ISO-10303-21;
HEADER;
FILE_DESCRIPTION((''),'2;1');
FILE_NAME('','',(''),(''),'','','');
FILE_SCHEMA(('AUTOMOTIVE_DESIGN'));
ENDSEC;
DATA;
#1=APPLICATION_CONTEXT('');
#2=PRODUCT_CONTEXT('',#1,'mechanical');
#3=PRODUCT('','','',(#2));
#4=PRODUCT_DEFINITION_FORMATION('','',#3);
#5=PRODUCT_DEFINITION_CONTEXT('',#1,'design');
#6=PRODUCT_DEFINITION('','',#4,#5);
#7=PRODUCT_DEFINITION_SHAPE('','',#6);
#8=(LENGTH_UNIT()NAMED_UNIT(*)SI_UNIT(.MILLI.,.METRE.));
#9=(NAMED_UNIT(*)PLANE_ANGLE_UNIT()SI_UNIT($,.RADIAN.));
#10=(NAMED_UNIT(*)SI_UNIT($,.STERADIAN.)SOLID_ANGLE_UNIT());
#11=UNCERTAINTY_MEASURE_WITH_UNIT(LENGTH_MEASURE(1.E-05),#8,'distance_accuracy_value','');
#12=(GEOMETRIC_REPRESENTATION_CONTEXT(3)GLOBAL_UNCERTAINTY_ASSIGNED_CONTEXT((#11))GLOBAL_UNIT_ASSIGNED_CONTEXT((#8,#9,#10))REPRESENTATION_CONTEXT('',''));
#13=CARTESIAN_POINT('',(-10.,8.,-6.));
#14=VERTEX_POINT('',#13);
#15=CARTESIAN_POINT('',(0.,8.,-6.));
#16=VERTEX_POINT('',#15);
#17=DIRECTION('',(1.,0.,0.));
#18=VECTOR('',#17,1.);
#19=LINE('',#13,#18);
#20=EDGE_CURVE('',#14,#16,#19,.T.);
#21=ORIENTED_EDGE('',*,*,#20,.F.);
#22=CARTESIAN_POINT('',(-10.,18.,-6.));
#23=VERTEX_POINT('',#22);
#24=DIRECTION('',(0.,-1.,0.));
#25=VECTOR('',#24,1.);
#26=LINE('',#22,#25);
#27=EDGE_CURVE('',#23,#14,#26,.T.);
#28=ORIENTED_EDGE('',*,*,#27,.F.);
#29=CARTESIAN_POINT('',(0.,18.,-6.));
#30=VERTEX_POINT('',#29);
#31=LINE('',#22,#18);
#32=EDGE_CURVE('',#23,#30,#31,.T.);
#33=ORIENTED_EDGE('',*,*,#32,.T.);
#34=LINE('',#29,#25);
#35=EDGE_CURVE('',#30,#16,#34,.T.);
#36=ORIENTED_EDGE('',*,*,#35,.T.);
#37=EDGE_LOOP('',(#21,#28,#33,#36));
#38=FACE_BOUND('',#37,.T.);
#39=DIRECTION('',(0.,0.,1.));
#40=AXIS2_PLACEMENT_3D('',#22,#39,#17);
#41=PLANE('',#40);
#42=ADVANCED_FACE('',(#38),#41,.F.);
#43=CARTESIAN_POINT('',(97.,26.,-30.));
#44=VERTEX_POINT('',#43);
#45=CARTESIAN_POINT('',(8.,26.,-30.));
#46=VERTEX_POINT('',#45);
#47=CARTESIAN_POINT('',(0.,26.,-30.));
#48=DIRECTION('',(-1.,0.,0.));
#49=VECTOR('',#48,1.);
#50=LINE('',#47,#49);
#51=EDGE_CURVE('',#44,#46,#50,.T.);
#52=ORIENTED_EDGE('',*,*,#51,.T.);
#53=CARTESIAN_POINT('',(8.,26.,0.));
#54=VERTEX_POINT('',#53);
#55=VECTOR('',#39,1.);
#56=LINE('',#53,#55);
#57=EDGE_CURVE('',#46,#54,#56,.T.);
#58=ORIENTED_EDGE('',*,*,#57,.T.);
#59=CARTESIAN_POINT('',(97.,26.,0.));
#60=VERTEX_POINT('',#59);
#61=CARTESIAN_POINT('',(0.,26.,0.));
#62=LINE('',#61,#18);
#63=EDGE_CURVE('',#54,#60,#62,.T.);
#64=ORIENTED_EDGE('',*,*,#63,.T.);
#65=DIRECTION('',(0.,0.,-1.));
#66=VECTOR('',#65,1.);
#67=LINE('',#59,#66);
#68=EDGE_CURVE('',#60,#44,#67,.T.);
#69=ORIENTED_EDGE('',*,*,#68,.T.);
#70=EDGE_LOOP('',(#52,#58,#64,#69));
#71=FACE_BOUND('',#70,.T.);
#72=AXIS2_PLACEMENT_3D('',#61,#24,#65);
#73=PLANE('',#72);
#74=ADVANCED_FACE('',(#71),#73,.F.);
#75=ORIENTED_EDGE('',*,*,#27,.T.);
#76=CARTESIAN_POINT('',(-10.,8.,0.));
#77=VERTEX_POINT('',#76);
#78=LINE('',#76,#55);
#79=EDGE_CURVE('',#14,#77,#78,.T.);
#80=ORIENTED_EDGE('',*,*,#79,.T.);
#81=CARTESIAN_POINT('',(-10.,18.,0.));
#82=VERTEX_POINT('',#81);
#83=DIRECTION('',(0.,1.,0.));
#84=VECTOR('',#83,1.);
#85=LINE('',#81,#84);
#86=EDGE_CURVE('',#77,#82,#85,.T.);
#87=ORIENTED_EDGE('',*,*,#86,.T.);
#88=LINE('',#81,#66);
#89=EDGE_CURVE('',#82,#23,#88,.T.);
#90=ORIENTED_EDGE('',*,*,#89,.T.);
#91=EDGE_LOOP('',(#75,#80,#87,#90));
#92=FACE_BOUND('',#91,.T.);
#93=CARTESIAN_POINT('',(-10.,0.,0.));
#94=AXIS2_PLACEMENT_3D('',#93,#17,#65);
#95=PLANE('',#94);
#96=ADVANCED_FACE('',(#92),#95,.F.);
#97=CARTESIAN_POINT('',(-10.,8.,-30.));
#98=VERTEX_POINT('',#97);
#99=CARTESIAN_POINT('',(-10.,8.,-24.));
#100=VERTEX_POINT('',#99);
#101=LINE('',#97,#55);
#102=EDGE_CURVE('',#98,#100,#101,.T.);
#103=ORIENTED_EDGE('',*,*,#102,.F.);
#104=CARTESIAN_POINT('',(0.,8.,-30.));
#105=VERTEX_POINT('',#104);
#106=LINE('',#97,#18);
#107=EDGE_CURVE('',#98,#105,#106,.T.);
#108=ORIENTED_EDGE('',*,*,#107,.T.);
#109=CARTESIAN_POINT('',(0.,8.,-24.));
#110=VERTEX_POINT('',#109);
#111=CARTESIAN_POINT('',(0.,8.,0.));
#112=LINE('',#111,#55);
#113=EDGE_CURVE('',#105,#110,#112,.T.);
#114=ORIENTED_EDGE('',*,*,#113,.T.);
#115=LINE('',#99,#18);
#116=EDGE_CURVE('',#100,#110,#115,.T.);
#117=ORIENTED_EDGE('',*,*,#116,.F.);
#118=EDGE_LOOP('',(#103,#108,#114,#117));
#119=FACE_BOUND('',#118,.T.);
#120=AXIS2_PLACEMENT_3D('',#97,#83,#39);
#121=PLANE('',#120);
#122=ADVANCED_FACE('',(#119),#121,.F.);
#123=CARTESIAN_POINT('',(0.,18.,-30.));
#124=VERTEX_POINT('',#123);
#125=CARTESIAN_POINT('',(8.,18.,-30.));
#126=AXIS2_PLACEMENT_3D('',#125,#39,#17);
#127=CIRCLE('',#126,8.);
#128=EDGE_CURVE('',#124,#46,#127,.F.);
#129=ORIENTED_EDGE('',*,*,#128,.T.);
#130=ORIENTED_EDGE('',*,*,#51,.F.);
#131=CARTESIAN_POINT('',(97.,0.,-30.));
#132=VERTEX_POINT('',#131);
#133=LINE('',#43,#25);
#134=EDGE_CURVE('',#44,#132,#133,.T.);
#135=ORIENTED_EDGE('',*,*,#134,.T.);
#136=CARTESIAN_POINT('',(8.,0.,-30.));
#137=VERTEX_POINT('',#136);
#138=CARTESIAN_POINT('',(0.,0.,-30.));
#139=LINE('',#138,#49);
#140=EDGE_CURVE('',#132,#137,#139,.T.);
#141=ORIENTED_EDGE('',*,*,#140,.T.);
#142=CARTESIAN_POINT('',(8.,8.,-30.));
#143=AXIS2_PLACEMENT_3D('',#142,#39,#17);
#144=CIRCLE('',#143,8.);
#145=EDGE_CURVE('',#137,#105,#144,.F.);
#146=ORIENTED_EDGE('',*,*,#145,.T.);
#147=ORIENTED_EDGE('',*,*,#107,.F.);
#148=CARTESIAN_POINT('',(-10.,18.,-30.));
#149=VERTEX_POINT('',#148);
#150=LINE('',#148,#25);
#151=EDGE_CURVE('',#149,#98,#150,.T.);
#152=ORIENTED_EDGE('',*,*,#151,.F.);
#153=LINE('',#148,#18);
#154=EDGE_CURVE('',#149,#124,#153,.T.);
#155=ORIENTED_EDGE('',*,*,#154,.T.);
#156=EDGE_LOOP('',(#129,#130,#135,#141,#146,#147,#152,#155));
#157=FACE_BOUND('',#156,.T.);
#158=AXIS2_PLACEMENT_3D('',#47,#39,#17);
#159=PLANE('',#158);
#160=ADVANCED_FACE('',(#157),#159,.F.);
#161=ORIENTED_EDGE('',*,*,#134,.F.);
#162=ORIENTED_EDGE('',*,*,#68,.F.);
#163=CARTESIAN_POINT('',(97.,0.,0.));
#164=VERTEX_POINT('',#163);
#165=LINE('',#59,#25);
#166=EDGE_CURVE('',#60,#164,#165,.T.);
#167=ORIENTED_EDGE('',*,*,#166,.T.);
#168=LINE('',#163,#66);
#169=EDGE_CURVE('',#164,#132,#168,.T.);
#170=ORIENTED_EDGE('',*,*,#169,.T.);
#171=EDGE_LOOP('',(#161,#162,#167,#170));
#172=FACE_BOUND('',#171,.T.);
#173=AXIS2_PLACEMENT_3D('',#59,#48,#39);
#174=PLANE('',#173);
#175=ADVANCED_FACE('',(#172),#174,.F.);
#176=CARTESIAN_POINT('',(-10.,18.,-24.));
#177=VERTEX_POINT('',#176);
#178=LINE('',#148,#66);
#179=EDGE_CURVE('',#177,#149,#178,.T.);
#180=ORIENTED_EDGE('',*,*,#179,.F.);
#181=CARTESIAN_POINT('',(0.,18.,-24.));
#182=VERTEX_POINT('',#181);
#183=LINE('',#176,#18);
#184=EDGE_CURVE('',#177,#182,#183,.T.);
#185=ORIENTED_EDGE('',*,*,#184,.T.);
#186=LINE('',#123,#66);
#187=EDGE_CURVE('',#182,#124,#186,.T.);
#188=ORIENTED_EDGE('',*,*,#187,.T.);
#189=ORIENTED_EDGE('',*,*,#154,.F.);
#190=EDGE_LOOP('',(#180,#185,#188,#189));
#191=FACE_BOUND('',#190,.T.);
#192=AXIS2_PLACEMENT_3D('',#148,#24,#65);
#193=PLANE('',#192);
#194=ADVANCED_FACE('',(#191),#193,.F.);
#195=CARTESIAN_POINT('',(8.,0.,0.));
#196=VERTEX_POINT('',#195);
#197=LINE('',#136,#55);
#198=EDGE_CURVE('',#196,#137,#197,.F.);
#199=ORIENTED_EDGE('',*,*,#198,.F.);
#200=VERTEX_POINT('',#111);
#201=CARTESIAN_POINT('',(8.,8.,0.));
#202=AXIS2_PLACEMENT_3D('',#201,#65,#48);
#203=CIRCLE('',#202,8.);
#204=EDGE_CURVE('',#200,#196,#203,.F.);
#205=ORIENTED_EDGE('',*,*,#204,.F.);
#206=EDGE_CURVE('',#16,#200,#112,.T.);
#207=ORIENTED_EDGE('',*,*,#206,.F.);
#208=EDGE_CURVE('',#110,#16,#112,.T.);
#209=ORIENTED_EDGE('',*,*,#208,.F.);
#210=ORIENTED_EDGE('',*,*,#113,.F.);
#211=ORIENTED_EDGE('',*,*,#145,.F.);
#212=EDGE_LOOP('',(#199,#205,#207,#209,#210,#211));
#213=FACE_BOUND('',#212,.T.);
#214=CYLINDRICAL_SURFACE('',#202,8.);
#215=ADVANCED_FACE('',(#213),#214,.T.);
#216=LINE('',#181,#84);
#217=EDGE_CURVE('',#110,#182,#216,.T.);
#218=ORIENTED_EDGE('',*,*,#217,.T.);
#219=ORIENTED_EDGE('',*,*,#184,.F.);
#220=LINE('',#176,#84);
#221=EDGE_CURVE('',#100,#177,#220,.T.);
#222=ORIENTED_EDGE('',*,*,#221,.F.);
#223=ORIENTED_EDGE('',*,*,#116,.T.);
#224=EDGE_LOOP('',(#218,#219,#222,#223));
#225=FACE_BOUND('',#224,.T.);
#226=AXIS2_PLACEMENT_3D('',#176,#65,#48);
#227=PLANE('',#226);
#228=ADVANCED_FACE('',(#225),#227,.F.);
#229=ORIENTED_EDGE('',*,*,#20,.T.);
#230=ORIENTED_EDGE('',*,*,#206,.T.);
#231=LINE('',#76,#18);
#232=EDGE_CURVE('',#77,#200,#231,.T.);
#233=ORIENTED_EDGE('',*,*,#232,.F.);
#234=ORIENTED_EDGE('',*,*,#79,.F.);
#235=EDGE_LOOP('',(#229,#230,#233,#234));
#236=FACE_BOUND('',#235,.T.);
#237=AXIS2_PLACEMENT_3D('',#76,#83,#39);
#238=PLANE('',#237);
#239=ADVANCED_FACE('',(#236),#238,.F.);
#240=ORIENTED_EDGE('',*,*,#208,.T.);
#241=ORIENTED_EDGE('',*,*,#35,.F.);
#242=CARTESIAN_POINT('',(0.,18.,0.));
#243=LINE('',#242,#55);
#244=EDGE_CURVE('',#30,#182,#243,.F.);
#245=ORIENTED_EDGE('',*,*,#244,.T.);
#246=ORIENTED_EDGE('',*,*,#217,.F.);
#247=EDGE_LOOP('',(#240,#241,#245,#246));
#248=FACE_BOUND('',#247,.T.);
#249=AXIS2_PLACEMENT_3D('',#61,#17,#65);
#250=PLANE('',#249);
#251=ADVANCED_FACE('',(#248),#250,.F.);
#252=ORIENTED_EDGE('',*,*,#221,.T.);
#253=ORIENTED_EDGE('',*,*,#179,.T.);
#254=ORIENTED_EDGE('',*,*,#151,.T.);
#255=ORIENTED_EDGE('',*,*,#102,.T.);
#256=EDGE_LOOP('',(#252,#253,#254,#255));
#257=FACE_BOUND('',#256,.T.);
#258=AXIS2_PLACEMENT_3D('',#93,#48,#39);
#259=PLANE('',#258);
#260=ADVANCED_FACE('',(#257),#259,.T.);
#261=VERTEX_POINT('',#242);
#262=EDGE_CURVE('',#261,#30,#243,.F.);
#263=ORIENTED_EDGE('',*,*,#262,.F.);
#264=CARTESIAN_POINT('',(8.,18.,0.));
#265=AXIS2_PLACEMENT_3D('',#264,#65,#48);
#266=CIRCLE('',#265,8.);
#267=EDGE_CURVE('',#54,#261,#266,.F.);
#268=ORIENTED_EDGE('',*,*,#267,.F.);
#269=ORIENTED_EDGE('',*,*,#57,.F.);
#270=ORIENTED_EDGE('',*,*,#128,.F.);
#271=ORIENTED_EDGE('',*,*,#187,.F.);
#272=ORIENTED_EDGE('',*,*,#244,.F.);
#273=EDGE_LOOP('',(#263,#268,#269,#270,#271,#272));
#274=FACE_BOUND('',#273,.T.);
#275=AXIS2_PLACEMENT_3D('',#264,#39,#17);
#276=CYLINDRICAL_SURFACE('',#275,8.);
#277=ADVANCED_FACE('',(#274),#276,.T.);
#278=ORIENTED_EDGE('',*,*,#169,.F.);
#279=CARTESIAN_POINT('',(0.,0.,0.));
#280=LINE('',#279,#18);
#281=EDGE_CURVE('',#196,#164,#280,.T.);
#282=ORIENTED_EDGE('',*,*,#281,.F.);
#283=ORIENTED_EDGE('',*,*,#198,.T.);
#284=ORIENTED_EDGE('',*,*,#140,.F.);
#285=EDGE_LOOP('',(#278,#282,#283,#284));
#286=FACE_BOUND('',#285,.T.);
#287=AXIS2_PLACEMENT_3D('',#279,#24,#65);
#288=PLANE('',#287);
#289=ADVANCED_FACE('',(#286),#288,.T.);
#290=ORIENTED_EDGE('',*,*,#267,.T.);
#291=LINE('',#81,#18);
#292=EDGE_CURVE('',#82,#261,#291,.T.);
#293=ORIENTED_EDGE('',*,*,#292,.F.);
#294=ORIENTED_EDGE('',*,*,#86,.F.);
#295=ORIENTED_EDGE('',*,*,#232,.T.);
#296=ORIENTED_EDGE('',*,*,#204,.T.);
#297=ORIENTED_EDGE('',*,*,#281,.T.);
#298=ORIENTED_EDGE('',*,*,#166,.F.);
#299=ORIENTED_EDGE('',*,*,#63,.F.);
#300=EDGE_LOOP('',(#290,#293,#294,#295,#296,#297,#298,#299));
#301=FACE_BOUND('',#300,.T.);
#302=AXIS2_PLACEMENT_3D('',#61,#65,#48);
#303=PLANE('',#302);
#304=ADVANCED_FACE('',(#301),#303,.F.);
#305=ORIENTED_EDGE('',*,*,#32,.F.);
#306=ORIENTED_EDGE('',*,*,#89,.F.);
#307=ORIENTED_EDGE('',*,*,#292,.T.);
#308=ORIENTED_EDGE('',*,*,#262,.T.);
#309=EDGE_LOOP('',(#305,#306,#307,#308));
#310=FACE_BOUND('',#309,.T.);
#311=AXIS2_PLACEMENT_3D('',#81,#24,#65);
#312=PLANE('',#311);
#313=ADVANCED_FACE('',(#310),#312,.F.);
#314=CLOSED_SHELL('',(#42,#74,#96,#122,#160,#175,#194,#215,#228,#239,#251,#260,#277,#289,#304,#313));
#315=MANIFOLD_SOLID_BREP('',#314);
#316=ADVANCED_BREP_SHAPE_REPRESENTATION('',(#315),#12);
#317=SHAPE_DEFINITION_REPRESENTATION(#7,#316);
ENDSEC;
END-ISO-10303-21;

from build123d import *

# Parameters (mm, degrees)
SKETCH1_W           = 97
SKETCH1_H           = 30
BOSS_EXTRUDE1_DEPTH = 26
FILLET1_R           = 8
SKETCH2_W           = 6
SKETCH2_H           = 10
BOSS_EXTRUDE2_DEPTH = 10


with BuildPart() as part:
    # Sketch1 → Boss-Extrude1 (new body)
    with BuildSketch(Plane(origin=(0, 0, 0), x_dir=(1, 0, 0), z_dir=(0, 1, 0))):
        with Locations((48.5, 15)):
            Rectangle(SKETCH1_W, SKETCH1_H)
    extrude(amount=BOSS_EXTRUDE1_DEPTH)

    # Fillet1
    fillet1_edges = [part.edges().sort_by_distance(p)[0] for p in [
        (0, 26, -15),
        (0, 0, -15),
    ]]
    fillet(fillet1_edges, radius=FILLET1_R)

    # Sketch2 → Boss-Extrude2 (add)
    with BuildSketch(Plane.ZY):
        with Locations((-27, 13)):
            Rectangle(SKETCH2_W, SKETCH2_H)
        with Locations((-3, 13)):
            Rectangle(SKETCH2_W, SKETCH2_H)
    extrude(amount=BOSS_EXTRUDE2_DEPTH)


solid = part.part
